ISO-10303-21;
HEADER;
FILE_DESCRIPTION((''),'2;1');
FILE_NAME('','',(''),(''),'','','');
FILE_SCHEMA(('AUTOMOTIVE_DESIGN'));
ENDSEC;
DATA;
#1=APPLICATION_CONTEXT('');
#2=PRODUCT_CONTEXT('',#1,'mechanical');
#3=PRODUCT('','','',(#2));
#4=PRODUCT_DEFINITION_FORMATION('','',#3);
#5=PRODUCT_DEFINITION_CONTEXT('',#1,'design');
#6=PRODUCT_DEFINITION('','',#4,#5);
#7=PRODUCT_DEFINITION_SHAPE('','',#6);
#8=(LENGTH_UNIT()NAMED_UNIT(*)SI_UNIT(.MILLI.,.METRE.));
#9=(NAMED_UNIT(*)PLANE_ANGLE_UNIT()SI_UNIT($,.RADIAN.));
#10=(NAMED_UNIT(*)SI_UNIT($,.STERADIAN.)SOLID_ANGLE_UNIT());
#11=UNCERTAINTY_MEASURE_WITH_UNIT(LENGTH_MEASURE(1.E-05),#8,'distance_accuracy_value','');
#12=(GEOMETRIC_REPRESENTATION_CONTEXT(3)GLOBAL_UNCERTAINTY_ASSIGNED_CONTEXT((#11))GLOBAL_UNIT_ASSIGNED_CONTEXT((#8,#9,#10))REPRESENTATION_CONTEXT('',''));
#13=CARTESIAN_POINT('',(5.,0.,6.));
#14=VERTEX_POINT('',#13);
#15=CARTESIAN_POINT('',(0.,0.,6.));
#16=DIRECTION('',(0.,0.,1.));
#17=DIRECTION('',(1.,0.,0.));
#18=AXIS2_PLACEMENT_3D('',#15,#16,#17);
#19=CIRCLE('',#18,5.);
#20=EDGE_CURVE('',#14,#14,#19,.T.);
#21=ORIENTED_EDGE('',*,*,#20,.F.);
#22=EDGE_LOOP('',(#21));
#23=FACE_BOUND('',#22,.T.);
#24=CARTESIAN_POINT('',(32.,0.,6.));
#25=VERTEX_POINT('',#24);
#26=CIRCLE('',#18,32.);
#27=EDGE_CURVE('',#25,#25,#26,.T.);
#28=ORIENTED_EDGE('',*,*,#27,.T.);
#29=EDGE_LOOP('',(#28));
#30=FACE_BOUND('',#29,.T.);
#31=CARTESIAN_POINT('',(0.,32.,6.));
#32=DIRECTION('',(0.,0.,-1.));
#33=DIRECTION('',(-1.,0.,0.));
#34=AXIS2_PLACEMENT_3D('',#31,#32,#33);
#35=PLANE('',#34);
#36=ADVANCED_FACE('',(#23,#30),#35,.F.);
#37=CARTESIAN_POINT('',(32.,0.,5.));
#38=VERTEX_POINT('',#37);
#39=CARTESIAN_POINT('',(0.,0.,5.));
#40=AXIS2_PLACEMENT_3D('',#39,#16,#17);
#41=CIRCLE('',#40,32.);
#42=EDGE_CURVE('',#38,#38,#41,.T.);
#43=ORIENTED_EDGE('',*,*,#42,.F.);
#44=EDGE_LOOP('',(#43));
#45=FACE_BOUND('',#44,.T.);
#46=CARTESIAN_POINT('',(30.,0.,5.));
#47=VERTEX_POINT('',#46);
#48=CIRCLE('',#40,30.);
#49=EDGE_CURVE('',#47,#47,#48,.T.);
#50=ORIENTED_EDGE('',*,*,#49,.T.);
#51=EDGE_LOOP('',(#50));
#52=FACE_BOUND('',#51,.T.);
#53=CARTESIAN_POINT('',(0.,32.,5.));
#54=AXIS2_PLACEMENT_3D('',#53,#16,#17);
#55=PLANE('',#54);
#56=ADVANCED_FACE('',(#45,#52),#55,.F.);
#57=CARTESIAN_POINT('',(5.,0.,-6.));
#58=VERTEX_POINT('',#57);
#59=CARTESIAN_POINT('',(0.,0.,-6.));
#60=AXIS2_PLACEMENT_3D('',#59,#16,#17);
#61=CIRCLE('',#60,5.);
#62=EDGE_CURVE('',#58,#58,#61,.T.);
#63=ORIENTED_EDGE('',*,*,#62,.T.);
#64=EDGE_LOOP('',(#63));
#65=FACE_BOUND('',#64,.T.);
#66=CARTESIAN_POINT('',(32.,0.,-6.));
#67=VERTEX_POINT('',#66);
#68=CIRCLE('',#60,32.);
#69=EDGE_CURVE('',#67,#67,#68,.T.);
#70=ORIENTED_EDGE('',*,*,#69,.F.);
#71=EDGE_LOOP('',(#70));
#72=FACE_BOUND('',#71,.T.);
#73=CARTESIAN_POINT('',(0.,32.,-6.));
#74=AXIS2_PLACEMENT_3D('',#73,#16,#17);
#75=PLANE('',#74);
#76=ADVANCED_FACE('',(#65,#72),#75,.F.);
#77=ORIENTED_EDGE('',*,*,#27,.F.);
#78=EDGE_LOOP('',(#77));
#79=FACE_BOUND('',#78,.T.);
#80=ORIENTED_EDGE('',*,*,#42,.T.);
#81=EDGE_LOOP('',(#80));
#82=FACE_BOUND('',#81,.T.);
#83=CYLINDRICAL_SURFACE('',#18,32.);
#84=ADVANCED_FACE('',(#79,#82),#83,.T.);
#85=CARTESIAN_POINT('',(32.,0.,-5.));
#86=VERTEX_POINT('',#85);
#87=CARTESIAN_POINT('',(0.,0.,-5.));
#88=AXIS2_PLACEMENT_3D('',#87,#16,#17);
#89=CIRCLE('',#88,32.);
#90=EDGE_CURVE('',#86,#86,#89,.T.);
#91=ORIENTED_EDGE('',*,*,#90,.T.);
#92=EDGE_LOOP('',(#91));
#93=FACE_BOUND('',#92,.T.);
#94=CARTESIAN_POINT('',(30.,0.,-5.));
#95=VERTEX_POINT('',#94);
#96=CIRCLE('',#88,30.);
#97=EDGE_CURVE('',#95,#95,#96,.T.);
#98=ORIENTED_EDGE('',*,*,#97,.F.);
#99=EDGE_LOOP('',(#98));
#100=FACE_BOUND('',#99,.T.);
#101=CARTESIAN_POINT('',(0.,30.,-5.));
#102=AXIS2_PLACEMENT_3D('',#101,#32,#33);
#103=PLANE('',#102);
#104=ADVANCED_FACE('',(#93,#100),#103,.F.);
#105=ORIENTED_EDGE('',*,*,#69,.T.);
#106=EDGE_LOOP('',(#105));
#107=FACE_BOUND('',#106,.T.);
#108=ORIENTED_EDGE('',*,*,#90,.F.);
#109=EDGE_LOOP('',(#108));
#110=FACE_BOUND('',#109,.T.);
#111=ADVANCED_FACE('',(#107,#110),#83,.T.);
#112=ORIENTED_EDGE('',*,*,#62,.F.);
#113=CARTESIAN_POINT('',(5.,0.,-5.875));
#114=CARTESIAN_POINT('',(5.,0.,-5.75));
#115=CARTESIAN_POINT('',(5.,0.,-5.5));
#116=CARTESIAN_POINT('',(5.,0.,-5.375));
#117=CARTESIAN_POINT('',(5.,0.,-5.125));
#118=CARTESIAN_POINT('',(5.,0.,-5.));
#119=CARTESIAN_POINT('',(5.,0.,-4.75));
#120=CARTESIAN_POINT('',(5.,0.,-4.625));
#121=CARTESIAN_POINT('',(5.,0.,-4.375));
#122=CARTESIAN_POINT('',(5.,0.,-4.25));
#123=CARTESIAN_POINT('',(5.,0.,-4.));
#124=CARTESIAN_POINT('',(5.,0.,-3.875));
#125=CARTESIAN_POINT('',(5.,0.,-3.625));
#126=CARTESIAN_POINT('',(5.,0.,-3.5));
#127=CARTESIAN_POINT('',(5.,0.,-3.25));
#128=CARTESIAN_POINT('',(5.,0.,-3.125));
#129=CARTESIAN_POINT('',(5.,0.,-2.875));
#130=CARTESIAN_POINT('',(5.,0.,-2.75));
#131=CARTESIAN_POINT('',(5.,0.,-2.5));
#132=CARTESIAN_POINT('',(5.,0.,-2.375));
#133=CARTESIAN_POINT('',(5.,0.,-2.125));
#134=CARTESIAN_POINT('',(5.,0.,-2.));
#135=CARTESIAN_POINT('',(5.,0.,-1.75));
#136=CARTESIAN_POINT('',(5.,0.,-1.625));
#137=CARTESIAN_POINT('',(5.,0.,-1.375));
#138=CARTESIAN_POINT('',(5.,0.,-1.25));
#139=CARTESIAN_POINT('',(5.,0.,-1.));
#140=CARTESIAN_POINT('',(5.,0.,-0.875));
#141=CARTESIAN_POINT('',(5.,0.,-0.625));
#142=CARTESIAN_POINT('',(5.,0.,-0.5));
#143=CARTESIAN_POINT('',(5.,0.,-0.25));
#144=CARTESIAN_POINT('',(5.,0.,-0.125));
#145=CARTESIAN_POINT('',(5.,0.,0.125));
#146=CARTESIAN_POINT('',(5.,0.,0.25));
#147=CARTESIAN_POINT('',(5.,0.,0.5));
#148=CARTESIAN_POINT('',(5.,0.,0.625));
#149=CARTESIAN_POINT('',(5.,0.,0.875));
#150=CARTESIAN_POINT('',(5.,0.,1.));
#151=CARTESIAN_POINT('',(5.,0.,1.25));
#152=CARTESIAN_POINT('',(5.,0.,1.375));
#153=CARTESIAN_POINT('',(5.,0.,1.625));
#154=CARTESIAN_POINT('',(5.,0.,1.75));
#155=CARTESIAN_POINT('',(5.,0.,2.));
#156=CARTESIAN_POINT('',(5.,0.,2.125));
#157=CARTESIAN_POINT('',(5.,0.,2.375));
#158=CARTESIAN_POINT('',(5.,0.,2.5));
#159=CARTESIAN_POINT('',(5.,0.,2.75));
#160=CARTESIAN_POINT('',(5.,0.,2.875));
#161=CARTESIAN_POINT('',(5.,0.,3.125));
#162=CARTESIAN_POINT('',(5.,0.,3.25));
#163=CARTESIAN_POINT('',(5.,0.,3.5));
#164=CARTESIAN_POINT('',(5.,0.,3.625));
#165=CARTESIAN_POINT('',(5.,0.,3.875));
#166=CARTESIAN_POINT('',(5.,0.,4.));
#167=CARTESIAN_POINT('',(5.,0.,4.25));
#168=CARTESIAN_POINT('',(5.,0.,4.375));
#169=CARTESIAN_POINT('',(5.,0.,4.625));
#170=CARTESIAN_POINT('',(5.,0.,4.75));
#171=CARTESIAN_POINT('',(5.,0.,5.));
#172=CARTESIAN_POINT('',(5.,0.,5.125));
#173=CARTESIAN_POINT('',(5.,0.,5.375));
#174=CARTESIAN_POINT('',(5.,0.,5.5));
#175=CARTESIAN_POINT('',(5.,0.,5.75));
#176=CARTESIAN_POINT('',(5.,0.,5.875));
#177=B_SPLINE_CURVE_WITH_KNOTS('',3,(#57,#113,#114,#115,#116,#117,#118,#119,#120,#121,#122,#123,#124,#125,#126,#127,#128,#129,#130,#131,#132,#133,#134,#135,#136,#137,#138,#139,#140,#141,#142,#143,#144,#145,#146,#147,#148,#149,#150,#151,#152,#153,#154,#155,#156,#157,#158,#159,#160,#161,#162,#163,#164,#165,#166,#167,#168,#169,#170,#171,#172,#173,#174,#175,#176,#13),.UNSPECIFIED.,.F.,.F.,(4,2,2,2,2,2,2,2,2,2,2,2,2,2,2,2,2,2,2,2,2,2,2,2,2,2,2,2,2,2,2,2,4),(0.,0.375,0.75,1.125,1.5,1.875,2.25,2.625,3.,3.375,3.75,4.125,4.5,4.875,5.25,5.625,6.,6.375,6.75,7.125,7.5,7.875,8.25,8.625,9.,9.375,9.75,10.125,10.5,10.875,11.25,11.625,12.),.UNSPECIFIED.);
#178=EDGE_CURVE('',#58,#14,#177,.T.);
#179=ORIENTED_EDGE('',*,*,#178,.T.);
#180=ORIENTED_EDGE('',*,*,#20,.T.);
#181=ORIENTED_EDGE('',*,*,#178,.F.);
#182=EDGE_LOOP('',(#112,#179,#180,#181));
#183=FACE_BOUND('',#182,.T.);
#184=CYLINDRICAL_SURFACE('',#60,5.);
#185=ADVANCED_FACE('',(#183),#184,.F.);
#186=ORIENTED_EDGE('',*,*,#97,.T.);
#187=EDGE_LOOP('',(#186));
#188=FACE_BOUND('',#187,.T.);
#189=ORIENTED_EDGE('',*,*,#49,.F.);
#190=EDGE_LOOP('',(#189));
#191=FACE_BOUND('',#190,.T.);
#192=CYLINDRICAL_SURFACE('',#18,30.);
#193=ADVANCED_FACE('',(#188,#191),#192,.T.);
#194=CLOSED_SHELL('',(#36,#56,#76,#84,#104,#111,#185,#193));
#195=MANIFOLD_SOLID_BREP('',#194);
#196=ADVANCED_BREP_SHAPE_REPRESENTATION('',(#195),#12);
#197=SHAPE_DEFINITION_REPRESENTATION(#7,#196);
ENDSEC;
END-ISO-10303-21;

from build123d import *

# Parameters (mm, degrees)
CUT_EXTRUDE1_DEPTH      = 46.650848842
CUT_EXTRUDE1_DEPTH_BACK = 46.650848842
SKETCH3_R               = 5


with BuildPart() as part:
    # Sketch1 → Revolve1 (revolve)
    with BuildSketch(Plane(origin=(0, 0, 0), x_dir=(0, 0, -1), z_dir=(1, 0, 0)), mode=Mode.PRIVATE) as revolve1_sk:
        Polygon((-5, 32), (-5, 30), (5, 30), (5, 32), (6, 32), (6, 0), (-6, 0), (-6, 32), align=None)
    revolve(revolve1_sk.sketch.rotate(Axis((0, 0, 6), (0, 0, -1)), 90), axis=Axis((0, 0, 6), (0, 0, -1)))

    # Sketch3 → Cut-Extrude1 (cut, two sides: drawn at the far end of the back side and taken through both)
    with BuildSketch(Plane.XY.offset(-CUT_EXTRUDE1_DEPTH_BACK)):
        Circle(SKETCH3_R)
    extrude(amount=CUT_EXTRUDE1_DEPTH + CUT_EXTRUDE1_DEPTH_BACK, mode=Mode.SUBTRACT)


solid = part.part
